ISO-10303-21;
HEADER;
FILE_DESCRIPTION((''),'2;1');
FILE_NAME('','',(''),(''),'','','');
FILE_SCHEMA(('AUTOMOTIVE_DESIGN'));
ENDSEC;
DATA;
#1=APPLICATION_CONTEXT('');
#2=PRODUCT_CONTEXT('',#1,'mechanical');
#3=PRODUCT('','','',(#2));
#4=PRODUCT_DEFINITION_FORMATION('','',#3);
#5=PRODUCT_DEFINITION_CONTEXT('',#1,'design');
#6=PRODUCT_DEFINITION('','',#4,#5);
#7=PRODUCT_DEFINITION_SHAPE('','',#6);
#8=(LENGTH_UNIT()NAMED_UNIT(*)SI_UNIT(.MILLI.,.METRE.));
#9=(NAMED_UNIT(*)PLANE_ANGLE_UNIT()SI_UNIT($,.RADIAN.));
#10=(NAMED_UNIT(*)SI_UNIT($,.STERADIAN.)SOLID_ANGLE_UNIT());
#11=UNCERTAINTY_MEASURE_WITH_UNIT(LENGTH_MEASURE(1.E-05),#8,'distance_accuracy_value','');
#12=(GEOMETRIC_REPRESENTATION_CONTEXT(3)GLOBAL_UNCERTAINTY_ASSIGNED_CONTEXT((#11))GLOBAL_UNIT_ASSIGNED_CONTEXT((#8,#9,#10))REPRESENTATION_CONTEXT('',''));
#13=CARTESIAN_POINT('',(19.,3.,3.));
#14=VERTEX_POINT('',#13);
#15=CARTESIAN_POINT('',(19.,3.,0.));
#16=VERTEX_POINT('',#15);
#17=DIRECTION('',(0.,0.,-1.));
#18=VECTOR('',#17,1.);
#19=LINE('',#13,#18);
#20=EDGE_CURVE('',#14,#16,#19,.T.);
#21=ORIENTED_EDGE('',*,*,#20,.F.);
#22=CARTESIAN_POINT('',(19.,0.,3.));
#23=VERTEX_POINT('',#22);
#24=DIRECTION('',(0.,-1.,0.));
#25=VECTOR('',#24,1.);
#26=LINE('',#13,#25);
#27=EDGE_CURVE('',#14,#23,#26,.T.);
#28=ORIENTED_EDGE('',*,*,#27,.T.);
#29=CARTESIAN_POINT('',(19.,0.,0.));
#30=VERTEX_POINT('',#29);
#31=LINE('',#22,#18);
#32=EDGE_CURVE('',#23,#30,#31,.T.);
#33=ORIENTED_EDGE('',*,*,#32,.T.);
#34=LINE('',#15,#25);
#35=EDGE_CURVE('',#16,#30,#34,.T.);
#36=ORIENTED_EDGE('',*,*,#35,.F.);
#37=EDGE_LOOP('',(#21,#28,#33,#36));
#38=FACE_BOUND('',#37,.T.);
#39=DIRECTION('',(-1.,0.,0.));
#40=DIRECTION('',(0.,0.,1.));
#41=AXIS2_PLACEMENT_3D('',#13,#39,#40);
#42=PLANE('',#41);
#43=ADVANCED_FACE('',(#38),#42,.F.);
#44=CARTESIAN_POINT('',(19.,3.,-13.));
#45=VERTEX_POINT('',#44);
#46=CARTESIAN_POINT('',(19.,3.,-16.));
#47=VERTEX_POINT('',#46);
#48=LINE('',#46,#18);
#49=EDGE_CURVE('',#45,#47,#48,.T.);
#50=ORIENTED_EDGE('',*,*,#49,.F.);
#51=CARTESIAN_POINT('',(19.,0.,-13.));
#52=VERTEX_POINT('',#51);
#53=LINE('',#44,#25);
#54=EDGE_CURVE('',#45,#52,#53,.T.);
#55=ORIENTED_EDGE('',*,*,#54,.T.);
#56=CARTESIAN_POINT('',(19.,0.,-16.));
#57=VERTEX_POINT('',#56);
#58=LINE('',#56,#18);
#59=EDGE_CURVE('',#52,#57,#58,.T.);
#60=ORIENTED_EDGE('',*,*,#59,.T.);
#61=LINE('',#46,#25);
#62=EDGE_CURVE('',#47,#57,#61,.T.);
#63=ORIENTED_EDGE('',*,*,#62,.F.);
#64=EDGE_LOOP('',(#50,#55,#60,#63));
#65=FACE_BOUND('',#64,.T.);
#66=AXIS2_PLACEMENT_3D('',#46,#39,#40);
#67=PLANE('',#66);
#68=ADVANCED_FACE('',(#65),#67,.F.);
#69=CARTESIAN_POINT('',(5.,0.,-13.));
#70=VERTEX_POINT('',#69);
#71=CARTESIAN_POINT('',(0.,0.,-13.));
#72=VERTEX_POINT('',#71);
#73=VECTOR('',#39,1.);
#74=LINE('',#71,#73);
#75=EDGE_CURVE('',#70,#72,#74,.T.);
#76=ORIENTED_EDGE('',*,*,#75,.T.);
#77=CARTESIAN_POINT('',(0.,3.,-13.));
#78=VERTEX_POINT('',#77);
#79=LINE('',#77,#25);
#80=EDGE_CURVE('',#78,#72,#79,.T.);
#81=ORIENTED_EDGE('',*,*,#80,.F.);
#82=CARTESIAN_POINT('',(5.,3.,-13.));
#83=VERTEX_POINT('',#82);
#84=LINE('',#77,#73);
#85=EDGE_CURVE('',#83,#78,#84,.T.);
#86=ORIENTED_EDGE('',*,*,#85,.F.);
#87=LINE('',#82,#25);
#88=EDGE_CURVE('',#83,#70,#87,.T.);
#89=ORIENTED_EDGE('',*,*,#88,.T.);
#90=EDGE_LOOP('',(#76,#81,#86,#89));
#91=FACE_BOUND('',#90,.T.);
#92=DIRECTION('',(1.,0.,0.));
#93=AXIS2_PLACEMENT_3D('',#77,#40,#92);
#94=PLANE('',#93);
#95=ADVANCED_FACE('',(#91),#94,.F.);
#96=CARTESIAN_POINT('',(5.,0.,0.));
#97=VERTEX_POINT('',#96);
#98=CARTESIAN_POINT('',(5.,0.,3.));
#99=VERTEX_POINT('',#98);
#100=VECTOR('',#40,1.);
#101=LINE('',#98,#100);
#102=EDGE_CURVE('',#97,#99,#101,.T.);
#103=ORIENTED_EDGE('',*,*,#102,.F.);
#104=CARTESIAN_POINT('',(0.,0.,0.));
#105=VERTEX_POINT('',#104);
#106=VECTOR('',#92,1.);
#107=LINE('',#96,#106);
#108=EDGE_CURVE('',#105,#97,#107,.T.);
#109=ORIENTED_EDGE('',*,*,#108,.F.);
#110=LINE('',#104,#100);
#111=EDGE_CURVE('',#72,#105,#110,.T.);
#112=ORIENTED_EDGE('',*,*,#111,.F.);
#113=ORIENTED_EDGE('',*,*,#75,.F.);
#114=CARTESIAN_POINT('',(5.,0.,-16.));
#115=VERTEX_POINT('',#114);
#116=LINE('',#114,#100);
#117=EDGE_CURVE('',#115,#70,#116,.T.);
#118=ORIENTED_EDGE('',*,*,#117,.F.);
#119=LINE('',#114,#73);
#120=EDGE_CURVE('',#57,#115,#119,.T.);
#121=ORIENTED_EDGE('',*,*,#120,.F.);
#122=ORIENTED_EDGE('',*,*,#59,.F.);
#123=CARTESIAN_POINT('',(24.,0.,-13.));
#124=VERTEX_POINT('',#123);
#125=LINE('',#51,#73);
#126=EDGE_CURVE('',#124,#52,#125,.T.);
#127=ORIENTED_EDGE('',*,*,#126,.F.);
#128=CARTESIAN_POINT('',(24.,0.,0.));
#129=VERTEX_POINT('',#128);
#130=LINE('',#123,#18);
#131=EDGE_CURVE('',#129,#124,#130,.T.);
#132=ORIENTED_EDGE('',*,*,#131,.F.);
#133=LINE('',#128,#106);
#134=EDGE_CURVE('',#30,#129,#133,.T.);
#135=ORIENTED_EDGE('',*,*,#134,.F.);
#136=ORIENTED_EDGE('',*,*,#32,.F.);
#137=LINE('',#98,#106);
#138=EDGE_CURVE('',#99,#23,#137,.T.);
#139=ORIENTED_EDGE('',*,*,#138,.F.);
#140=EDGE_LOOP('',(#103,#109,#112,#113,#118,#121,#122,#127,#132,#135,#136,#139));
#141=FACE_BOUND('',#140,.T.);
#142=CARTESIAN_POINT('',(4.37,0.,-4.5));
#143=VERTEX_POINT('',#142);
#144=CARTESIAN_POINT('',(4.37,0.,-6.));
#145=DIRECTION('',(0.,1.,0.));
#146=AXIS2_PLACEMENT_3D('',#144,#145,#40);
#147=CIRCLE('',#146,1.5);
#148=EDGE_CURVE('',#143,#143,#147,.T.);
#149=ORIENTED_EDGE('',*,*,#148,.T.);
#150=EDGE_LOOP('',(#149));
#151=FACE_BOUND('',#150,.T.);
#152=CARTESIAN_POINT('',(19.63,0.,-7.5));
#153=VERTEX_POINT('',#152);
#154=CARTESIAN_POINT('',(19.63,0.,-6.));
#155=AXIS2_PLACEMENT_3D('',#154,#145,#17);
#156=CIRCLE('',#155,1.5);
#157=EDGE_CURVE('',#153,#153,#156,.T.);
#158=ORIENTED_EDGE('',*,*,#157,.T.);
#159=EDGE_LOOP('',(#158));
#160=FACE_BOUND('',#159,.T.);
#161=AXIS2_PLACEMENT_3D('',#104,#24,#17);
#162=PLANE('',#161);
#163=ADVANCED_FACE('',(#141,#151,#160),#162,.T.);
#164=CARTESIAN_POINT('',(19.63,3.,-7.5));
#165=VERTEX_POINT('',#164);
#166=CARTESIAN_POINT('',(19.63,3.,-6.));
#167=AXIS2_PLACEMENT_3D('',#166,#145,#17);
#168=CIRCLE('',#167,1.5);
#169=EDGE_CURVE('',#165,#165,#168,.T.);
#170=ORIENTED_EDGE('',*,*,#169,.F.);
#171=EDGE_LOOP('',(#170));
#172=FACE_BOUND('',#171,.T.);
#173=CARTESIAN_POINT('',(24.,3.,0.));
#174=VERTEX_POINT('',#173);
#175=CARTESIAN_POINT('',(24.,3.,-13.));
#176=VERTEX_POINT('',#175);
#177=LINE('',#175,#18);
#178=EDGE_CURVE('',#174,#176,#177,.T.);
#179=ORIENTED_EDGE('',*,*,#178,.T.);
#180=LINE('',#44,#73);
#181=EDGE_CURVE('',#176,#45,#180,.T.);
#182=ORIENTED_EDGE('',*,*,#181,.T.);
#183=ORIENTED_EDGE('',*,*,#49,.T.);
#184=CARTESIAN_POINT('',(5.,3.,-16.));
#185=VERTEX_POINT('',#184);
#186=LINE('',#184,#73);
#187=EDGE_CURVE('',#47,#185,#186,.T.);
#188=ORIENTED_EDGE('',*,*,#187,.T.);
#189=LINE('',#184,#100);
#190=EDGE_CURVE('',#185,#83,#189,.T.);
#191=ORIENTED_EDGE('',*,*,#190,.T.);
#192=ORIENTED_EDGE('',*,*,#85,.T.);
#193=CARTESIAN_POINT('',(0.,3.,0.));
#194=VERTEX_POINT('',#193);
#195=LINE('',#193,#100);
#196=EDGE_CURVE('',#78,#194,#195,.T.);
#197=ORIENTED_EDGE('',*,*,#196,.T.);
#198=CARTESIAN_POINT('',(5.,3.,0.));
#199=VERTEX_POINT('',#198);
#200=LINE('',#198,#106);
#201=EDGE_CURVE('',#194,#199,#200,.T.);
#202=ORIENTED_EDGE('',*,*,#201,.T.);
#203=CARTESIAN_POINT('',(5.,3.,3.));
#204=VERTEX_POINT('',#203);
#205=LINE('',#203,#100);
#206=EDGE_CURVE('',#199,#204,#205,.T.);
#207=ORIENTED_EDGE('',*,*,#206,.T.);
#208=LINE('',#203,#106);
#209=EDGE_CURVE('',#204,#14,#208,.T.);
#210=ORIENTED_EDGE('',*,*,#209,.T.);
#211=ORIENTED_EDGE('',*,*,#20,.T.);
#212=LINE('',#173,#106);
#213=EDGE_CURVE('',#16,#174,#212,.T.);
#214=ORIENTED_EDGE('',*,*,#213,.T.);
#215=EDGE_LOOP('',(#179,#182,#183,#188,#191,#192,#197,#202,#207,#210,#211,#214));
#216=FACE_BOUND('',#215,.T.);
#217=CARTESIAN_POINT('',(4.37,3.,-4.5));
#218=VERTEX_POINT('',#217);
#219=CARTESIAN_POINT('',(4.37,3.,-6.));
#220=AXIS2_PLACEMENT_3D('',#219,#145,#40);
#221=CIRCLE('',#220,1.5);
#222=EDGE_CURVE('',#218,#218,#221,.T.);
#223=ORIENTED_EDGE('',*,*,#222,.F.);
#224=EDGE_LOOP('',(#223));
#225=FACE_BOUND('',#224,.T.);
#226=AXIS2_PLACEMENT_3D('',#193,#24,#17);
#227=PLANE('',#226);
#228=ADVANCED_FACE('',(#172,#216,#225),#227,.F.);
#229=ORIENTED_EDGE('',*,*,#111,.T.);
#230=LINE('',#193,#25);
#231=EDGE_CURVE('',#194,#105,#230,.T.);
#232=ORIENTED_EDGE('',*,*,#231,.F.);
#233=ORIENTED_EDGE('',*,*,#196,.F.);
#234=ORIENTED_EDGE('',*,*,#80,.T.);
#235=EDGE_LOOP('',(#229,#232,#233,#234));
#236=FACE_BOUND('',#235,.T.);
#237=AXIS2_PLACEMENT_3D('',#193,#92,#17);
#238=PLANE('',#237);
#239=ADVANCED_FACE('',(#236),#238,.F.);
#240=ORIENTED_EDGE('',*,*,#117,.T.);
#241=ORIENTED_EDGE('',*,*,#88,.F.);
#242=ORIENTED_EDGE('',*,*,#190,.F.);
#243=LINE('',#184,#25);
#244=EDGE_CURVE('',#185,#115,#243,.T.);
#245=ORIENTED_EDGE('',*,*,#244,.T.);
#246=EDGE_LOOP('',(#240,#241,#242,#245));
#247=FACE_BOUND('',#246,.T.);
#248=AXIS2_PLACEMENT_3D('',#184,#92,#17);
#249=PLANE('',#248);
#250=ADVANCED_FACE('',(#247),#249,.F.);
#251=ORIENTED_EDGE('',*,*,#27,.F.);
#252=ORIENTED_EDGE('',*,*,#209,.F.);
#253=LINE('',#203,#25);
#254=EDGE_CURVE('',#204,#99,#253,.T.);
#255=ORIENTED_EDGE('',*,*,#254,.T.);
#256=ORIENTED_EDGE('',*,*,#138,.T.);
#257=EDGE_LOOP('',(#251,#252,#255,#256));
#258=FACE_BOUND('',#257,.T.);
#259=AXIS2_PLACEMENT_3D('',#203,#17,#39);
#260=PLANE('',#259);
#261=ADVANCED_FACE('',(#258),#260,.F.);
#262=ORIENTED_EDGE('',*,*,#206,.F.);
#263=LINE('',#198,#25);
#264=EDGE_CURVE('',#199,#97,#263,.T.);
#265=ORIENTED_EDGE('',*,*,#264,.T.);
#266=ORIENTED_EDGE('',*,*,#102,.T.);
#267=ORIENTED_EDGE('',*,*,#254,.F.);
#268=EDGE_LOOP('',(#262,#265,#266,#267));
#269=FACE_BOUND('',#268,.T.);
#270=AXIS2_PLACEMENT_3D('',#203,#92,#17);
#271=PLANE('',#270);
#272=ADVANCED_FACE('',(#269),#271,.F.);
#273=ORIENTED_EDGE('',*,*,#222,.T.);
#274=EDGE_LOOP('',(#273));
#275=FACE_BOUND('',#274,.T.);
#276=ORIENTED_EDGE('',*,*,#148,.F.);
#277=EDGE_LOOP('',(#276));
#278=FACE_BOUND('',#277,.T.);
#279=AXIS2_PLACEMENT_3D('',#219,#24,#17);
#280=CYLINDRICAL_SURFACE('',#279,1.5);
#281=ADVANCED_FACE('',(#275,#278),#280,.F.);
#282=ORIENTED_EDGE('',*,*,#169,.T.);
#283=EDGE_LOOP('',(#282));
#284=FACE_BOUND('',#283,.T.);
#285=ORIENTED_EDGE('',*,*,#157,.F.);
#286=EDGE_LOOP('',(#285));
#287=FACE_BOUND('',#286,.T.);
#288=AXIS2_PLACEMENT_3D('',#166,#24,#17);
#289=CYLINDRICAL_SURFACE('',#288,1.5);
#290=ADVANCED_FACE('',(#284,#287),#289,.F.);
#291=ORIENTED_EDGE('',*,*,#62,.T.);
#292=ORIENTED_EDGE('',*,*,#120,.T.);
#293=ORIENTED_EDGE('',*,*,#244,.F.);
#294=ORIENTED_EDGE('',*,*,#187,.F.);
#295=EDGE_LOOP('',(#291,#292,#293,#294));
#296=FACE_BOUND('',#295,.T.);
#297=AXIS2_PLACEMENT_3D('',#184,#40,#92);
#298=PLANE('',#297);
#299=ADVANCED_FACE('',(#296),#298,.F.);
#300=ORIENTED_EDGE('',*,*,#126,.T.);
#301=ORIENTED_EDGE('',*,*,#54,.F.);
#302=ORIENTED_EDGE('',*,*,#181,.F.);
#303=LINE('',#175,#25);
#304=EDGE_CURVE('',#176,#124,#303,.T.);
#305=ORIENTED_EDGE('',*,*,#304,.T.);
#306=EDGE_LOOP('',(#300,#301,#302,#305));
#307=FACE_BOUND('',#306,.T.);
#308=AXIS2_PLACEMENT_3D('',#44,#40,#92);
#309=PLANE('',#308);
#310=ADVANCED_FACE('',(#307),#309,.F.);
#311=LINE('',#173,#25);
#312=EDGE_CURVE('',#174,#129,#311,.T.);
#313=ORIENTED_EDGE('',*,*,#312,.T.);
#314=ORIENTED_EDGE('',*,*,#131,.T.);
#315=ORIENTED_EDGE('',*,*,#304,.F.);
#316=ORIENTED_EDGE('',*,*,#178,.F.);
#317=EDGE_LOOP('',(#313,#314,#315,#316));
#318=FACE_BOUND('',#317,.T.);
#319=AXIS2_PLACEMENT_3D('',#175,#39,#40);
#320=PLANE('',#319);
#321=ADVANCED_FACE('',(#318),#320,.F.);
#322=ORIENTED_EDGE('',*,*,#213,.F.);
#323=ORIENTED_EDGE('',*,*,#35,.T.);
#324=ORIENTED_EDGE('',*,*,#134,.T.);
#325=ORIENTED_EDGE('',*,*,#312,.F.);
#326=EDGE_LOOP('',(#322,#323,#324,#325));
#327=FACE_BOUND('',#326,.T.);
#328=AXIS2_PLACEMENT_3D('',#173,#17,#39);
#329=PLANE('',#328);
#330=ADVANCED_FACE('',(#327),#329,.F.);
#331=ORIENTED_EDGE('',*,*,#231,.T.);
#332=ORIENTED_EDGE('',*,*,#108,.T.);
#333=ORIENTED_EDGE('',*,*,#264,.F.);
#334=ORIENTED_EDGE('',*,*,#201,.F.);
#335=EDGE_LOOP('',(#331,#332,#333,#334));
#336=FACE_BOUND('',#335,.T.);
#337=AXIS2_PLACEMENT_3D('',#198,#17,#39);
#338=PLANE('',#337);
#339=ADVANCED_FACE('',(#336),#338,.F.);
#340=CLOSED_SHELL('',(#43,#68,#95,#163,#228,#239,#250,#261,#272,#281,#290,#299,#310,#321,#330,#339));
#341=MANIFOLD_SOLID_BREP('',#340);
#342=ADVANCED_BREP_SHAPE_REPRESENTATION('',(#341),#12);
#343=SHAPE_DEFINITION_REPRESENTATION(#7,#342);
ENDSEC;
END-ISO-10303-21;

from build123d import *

# Parameters (mm, degrees)
CROQUIS1_R              = 1.5
SALIENTE_EXTRUIR1_DEPTH = 3


with BuildPart() as part:
    # Croquis1 → Saliente-Extruir1 (new body)
    with BuildSketch(Plane(origin=(0, 0, 0), x_dir=(1, 0, 0), z_dir=(0, 1, 0))):
        Polygon((0, 0), (0, 13), (5, 13), (5, 16), (19, 16), (19, 13), (24, 13), (24, 0), (19, 0), (19, -3), (5, -3), (5, 0), align=None)
        with Locations(Location((4.37, 6, 0), (0, 0, 270))):
            Circle(CROQUIS1_R, mode=Mode.SUBTRACT)
        with Locations(Location((19.63, 6, 0), (0, 0, 90))):
            Circle(CROQUIS1_R, mode=Mode.SUBTRACT)
    extrude(amount=SALIENTE_EXTRUIR1_DEPTH)


solid = part.part
